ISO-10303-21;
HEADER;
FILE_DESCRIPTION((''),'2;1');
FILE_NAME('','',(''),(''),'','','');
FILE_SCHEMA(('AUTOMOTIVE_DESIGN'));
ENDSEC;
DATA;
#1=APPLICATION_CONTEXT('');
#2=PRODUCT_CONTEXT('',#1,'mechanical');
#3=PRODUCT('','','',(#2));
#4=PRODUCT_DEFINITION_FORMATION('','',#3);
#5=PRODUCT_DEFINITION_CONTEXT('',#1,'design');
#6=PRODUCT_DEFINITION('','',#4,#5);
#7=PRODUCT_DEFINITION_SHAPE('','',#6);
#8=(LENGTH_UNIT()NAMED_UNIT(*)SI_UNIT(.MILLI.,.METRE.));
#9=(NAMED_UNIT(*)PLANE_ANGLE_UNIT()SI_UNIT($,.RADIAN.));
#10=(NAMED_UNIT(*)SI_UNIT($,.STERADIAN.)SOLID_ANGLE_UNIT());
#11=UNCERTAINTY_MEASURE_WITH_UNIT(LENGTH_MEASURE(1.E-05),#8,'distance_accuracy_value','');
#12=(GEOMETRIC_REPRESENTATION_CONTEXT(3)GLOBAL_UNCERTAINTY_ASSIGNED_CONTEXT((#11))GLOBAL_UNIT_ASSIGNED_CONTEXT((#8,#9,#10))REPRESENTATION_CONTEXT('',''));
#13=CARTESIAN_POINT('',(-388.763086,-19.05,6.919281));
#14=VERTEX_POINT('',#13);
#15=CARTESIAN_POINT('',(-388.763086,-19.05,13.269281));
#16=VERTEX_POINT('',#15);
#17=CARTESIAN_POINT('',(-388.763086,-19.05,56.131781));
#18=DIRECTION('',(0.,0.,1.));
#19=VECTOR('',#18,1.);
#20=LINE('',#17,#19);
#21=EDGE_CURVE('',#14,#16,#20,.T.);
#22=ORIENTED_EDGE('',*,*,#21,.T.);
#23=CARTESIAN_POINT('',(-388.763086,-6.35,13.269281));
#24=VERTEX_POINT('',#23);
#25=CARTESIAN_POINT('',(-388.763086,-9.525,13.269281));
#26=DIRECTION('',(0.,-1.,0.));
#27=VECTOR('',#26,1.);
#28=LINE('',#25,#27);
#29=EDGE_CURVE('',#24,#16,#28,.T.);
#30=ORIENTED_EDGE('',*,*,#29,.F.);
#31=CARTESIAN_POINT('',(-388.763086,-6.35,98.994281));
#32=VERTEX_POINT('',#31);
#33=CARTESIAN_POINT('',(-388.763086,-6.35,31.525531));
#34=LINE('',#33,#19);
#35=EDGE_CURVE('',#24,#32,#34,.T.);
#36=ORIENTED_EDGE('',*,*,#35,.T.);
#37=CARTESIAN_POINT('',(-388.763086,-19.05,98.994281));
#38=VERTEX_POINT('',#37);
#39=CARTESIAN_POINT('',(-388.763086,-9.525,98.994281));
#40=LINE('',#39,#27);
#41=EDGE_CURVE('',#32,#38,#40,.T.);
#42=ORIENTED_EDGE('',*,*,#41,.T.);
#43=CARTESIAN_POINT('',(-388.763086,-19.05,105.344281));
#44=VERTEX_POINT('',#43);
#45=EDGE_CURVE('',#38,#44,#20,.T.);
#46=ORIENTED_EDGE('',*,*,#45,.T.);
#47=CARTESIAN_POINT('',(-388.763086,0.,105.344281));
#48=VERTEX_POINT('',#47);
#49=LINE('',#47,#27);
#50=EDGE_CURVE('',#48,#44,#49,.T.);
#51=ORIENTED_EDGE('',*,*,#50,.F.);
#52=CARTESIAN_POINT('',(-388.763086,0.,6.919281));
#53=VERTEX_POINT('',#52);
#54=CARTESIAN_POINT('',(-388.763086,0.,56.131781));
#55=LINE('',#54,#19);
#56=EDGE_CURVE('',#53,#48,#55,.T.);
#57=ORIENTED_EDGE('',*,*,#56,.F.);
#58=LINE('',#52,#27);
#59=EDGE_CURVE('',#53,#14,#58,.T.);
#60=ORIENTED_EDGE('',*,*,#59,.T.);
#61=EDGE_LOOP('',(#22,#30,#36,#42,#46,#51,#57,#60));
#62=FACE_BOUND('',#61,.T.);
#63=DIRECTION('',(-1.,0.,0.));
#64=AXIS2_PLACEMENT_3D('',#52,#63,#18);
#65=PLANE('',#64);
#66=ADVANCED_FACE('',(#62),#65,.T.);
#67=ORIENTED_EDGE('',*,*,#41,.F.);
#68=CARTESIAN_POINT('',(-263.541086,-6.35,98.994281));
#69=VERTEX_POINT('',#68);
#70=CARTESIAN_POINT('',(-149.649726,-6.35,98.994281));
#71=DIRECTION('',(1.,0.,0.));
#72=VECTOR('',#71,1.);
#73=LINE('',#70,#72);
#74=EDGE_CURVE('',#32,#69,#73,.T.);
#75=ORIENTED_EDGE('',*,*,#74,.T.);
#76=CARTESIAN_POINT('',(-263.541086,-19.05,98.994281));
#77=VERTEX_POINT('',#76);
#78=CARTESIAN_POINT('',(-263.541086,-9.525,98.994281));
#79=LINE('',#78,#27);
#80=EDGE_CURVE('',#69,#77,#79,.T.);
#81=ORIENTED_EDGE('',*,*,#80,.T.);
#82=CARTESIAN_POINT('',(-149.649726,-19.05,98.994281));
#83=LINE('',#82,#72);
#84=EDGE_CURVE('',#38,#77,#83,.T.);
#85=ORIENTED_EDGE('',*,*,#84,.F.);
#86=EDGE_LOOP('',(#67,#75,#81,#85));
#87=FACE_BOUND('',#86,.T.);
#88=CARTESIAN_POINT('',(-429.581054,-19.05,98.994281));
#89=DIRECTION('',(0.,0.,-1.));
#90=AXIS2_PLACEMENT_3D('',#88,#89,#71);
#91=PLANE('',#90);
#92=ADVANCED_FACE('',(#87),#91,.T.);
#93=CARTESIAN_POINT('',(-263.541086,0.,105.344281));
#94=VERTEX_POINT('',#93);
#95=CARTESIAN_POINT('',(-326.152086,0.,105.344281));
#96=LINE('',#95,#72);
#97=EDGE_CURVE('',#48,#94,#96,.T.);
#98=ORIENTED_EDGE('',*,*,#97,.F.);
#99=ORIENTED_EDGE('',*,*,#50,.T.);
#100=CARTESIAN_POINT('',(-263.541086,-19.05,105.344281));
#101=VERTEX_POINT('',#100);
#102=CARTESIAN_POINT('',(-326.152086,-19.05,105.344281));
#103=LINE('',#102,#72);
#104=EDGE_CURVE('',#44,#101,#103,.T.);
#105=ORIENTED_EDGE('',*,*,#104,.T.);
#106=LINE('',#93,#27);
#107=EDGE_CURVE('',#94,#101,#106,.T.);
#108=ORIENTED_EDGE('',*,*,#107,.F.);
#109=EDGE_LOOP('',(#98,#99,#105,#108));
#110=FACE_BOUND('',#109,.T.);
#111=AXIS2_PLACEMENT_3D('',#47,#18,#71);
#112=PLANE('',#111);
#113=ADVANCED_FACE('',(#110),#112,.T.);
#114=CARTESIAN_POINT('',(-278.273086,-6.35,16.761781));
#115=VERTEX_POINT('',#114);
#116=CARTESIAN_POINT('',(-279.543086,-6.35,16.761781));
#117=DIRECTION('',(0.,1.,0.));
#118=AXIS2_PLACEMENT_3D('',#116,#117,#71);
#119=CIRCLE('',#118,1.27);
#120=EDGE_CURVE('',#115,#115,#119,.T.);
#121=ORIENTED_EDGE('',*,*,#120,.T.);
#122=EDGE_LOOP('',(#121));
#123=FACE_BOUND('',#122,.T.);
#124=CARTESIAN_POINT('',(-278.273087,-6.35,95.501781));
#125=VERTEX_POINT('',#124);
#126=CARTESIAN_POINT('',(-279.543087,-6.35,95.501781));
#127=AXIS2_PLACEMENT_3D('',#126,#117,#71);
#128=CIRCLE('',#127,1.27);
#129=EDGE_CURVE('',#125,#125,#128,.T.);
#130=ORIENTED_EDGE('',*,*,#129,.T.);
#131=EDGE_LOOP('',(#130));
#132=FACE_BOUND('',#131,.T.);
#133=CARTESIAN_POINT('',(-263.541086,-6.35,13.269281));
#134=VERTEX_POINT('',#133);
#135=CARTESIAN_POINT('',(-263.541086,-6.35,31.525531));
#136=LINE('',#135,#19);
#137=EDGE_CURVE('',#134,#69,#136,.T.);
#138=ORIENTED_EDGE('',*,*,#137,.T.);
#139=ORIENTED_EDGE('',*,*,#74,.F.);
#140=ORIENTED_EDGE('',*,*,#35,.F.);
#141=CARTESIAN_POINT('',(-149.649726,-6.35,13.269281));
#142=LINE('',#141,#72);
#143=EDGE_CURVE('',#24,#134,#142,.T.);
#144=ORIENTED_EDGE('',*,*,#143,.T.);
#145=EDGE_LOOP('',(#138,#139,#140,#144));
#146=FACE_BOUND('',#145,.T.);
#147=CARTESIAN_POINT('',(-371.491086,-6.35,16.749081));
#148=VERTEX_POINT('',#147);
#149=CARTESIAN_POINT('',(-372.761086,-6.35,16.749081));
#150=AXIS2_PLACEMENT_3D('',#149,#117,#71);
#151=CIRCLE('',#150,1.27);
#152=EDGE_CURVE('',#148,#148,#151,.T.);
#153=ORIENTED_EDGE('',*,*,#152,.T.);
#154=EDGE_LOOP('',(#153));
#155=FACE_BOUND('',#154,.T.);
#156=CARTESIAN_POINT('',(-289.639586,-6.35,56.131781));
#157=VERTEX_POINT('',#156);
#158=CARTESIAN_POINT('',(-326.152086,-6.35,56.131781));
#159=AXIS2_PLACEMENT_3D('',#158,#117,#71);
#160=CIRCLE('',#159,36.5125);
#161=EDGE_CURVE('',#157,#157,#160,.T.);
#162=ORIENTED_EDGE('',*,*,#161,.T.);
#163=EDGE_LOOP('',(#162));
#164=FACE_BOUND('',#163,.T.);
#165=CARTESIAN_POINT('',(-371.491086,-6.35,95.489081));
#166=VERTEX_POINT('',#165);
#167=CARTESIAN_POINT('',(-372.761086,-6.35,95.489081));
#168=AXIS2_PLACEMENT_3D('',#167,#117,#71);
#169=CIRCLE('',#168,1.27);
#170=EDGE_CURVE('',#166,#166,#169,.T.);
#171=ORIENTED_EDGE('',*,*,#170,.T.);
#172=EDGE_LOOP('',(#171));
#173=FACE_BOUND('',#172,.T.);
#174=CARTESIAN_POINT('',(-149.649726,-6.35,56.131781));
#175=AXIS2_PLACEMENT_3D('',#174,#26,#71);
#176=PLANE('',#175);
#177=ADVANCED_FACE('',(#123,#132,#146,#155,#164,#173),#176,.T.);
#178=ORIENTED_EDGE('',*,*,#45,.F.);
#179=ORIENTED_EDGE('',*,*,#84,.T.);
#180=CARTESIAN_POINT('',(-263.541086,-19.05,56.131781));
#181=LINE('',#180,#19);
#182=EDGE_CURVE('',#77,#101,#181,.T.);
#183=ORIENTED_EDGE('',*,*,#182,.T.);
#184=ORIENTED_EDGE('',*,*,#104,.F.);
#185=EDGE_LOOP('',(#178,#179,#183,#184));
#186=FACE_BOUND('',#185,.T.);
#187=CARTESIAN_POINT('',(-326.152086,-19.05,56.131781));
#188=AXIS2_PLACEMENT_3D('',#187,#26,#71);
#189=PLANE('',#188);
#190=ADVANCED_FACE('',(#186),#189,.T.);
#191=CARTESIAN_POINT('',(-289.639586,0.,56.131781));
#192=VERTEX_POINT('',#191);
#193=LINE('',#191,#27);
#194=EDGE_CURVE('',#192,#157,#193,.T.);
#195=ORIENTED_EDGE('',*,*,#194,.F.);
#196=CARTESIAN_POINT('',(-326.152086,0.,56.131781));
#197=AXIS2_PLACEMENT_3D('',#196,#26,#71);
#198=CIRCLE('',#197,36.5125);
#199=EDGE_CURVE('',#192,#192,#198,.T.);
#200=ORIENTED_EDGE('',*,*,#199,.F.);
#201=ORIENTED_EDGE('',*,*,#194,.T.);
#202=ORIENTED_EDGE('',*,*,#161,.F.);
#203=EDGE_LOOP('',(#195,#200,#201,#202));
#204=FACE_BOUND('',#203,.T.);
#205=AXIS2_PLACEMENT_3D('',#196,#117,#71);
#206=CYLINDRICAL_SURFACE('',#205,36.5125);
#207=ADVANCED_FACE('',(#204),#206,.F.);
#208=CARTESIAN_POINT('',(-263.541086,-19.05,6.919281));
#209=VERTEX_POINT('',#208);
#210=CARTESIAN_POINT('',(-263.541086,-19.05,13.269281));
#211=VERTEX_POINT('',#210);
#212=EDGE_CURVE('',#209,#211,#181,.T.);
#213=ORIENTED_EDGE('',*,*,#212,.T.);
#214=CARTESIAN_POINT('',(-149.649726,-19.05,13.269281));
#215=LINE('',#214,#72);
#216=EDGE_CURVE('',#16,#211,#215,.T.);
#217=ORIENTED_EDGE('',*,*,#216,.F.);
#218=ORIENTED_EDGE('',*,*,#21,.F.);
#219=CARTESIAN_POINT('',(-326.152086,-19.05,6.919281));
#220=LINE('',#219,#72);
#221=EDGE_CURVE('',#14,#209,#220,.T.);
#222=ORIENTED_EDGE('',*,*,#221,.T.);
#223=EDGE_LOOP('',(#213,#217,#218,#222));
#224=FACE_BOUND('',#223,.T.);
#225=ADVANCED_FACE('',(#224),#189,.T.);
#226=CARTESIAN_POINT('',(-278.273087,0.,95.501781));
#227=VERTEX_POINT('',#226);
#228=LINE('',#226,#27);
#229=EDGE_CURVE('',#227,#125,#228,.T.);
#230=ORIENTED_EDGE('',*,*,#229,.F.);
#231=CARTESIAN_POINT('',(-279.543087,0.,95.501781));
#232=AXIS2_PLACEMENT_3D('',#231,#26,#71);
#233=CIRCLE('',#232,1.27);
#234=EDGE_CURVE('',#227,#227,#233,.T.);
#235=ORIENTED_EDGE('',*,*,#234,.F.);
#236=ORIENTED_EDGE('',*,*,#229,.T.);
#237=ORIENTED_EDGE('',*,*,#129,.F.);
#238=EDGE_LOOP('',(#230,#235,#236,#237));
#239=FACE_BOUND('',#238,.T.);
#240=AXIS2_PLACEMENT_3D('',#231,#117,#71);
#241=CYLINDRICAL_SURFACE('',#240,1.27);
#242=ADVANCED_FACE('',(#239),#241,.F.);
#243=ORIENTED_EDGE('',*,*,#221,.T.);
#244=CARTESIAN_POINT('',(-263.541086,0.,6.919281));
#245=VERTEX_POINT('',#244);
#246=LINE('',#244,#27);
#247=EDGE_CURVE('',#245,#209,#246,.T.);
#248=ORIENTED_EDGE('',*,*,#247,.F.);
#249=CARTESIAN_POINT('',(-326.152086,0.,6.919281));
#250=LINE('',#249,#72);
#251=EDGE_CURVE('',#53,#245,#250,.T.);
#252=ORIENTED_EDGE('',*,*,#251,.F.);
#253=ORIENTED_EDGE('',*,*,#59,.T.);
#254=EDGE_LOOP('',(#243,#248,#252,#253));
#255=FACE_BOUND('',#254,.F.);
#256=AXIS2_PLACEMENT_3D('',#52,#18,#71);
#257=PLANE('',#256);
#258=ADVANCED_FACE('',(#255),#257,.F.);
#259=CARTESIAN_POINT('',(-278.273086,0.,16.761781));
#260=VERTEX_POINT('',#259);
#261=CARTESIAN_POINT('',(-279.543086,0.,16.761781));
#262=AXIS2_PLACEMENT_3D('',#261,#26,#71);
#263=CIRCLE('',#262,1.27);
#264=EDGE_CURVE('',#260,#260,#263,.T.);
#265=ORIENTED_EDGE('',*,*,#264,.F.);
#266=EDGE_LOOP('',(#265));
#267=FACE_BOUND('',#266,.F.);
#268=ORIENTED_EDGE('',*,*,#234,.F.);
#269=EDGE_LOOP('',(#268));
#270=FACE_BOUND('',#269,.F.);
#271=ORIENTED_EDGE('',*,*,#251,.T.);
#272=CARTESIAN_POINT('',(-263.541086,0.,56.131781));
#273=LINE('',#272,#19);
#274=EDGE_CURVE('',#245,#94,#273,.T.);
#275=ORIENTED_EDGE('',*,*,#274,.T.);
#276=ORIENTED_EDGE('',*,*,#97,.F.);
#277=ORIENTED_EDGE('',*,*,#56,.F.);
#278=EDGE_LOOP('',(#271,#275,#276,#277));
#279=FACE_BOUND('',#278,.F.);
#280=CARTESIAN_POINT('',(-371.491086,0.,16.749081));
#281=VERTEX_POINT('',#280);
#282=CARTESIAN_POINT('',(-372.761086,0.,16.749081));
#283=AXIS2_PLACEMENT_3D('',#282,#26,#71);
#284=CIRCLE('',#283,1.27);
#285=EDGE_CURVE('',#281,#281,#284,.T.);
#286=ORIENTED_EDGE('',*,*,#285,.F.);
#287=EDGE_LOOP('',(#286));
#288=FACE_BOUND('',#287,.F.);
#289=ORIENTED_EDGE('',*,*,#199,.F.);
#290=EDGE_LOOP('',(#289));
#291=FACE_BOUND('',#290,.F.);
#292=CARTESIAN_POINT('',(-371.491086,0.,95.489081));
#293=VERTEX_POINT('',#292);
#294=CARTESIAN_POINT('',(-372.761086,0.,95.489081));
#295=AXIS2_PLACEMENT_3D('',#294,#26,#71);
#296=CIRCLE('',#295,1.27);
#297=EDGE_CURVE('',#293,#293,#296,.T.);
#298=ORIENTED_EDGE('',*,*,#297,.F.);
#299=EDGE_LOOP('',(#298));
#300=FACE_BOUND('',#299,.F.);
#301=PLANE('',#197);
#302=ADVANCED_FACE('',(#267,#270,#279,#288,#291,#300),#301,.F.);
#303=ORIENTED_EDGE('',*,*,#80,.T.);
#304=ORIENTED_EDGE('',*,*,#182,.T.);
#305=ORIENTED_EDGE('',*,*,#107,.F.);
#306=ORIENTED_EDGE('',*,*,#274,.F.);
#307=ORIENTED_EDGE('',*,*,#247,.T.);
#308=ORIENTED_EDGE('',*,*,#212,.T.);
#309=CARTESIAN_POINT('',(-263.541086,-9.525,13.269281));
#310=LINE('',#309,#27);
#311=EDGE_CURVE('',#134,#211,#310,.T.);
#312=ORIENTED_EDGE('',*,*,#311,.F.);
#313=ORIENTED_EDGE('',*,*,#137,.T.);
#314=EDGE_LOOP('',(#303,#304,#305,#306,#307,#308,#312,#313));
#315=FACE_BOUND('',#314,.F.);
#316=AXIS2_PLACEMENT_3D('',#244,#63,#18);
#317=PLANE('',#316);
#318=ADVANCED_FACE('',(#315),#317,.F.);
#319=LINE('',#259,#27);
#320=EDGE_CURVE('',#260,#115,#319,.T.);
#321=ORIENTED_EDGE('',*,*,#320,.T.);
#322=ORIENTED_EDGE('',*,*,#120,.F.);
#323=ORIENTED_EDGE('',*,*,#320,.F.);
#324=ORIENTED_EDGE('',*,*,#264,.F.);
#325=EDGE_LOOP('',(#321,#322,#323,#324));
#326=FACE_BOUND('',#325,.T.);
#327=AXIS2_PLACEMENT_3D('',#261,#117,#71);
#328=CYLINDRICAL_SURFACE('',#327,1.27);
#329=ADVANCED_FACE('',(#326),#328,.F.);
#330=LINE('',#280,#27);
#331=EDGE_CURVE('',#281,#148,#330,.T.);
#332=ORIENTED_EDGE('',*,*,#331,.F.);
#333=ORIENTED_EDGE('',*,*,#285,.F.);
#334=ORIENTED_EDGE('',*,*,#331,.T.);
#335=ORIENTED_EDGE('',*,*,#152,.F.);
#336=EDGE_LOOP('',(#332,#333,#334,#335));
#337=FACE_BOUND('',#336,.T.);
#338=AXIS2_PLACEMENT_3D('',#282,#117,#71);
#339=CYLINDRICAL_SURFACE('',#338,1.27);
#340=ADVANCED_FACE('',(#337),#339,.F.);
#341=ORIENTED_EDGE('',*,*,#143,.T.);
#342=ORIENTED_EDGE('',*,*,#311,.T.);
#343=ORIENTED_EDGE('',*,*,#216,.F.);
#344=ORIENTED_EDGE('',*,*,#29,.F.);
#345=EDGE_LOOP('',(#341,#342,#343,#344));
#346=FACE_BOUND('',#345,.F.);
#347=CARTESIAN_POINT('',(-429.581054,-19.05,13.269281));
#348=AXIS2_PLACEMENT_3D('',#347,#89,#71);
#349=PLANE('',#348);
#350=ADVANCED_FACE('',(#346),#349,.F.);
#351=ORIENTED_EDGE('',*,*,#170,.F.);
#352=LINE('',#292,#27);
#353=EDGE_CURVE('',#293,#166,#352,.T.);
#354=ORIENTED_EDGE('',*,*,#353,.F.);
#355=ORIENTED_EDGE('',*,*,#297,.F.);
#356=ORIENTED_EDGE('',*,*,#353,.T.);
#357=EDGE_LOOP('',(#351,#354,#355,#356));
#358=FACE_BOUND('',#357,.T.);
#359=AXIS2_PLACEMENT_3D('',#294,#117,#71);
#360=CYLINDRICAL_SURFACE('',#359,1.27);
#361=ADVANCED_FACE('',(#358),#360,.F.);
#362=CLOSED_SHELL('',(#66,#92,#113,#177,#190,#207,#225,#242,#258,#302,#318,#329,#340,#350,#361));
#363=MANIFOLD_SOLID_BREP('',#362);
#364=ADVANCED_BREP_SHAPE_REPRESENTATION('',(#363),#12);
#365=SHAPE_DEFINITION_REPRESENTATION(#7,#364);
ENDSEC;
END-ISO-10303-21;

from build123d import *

# Parameters (mm, degrees)
F0_W     = 125.222
F0_H     = 98.425
F0_W_2   = 99.822
F0_H_2   = 85.979
F0_R     = 1.27
F0_R_2   = 36.5125
F1_DEPTH = 19.05
F2_W     = 559.8626548463
F2_H     = 85.725
F3_DEPTH = 12.7
F2_W_2   = 125.222
F2_R     = 1.27
F2_R_2   = 36.5125
F4_DEPTH = 12.7


with BuildPart() as f1:
    # F0 (on Front) → F1 (new body)
    with BuildSketch(Plane.XZ):
        with Locations((-326.1520862579, 56.1317810915)):
            Rectangle(F0_W, F0_H)
        with Locations((-326.1520862579, 56.1317810915)):
            Rectangle(F0_W_2, F0_H_2, mode=Mode.SUBTRACT)
        with Locations((-326.1520862579, 56.1317810915)):
            Rectangle(F0_W_2, F0_H_2)
        with Locations((-372.7610862579, 16.7490810915)):
            Circle(F0_R, mode=Mode.SUBTRACT)
        with Locations((-279.5430862579, 16.7617810915)):
            Circle(F0_R, mode=Mode.SUBTRACT)
        with Locations((-326.1520862579, 56.1317810915)):
            Circle(F0_R_2, mode=Mode.SUBTRACT)
        with Locations((-372.7610862579, 95.4890810915)):
            Circle(F0_R, mode=Mode.SUBTRACT)
        with Locations((-279.5430871231, 95.5017810915)):
            Circle(F0_R, mode=Mode.SUBTRACT)
    extrude(amount=F1_DEPTH)

    # F2 (on face) → F3 (cut)
    with BuildSketch(Plane.XZ.offset(19.05)):
        with Locations((-149.6497262269, 56.1317810915)):
            Rectangle(F2_W, F2_H)
    extrude(amount=-F3_DEPTH, mode=Mode.SUBTRACT)

    # F2 (on face) → F4 (cut)
    with BuildSketch(Plane.XZ.offset(19.05)):
        with Locations((-326.1520862579, 56.1317810915)):
            Rectangle(F2_W_2, F2_H)
        with Locations((-372.7610862579, 16.7490810915)):
            Circle(F2_R, mode=Mode.SUBTRACT)
        with Locations((-279.5430862579, 16.7617810915)):
            Circle(F2_R, mode=Mode.SUBTRACT)
        with Locations((-326.1520862579, 56.1317810915)):
            Circle(F2_R_2, mode=Mode.SUBTRACT)
        with Locations((-372.7610862579, 95.4890810915)):
            Circle(F2_R, mode=Mode.SUBTRACT)
        with Locations((-279.5430871231, 95.5017810915)):
            Circle(F2_R, mode=Mode.SUBTRACT)
    extrude(amount=-F4_DEPTH, mode=Mode.SUBTRACT)


solid = f1.part
